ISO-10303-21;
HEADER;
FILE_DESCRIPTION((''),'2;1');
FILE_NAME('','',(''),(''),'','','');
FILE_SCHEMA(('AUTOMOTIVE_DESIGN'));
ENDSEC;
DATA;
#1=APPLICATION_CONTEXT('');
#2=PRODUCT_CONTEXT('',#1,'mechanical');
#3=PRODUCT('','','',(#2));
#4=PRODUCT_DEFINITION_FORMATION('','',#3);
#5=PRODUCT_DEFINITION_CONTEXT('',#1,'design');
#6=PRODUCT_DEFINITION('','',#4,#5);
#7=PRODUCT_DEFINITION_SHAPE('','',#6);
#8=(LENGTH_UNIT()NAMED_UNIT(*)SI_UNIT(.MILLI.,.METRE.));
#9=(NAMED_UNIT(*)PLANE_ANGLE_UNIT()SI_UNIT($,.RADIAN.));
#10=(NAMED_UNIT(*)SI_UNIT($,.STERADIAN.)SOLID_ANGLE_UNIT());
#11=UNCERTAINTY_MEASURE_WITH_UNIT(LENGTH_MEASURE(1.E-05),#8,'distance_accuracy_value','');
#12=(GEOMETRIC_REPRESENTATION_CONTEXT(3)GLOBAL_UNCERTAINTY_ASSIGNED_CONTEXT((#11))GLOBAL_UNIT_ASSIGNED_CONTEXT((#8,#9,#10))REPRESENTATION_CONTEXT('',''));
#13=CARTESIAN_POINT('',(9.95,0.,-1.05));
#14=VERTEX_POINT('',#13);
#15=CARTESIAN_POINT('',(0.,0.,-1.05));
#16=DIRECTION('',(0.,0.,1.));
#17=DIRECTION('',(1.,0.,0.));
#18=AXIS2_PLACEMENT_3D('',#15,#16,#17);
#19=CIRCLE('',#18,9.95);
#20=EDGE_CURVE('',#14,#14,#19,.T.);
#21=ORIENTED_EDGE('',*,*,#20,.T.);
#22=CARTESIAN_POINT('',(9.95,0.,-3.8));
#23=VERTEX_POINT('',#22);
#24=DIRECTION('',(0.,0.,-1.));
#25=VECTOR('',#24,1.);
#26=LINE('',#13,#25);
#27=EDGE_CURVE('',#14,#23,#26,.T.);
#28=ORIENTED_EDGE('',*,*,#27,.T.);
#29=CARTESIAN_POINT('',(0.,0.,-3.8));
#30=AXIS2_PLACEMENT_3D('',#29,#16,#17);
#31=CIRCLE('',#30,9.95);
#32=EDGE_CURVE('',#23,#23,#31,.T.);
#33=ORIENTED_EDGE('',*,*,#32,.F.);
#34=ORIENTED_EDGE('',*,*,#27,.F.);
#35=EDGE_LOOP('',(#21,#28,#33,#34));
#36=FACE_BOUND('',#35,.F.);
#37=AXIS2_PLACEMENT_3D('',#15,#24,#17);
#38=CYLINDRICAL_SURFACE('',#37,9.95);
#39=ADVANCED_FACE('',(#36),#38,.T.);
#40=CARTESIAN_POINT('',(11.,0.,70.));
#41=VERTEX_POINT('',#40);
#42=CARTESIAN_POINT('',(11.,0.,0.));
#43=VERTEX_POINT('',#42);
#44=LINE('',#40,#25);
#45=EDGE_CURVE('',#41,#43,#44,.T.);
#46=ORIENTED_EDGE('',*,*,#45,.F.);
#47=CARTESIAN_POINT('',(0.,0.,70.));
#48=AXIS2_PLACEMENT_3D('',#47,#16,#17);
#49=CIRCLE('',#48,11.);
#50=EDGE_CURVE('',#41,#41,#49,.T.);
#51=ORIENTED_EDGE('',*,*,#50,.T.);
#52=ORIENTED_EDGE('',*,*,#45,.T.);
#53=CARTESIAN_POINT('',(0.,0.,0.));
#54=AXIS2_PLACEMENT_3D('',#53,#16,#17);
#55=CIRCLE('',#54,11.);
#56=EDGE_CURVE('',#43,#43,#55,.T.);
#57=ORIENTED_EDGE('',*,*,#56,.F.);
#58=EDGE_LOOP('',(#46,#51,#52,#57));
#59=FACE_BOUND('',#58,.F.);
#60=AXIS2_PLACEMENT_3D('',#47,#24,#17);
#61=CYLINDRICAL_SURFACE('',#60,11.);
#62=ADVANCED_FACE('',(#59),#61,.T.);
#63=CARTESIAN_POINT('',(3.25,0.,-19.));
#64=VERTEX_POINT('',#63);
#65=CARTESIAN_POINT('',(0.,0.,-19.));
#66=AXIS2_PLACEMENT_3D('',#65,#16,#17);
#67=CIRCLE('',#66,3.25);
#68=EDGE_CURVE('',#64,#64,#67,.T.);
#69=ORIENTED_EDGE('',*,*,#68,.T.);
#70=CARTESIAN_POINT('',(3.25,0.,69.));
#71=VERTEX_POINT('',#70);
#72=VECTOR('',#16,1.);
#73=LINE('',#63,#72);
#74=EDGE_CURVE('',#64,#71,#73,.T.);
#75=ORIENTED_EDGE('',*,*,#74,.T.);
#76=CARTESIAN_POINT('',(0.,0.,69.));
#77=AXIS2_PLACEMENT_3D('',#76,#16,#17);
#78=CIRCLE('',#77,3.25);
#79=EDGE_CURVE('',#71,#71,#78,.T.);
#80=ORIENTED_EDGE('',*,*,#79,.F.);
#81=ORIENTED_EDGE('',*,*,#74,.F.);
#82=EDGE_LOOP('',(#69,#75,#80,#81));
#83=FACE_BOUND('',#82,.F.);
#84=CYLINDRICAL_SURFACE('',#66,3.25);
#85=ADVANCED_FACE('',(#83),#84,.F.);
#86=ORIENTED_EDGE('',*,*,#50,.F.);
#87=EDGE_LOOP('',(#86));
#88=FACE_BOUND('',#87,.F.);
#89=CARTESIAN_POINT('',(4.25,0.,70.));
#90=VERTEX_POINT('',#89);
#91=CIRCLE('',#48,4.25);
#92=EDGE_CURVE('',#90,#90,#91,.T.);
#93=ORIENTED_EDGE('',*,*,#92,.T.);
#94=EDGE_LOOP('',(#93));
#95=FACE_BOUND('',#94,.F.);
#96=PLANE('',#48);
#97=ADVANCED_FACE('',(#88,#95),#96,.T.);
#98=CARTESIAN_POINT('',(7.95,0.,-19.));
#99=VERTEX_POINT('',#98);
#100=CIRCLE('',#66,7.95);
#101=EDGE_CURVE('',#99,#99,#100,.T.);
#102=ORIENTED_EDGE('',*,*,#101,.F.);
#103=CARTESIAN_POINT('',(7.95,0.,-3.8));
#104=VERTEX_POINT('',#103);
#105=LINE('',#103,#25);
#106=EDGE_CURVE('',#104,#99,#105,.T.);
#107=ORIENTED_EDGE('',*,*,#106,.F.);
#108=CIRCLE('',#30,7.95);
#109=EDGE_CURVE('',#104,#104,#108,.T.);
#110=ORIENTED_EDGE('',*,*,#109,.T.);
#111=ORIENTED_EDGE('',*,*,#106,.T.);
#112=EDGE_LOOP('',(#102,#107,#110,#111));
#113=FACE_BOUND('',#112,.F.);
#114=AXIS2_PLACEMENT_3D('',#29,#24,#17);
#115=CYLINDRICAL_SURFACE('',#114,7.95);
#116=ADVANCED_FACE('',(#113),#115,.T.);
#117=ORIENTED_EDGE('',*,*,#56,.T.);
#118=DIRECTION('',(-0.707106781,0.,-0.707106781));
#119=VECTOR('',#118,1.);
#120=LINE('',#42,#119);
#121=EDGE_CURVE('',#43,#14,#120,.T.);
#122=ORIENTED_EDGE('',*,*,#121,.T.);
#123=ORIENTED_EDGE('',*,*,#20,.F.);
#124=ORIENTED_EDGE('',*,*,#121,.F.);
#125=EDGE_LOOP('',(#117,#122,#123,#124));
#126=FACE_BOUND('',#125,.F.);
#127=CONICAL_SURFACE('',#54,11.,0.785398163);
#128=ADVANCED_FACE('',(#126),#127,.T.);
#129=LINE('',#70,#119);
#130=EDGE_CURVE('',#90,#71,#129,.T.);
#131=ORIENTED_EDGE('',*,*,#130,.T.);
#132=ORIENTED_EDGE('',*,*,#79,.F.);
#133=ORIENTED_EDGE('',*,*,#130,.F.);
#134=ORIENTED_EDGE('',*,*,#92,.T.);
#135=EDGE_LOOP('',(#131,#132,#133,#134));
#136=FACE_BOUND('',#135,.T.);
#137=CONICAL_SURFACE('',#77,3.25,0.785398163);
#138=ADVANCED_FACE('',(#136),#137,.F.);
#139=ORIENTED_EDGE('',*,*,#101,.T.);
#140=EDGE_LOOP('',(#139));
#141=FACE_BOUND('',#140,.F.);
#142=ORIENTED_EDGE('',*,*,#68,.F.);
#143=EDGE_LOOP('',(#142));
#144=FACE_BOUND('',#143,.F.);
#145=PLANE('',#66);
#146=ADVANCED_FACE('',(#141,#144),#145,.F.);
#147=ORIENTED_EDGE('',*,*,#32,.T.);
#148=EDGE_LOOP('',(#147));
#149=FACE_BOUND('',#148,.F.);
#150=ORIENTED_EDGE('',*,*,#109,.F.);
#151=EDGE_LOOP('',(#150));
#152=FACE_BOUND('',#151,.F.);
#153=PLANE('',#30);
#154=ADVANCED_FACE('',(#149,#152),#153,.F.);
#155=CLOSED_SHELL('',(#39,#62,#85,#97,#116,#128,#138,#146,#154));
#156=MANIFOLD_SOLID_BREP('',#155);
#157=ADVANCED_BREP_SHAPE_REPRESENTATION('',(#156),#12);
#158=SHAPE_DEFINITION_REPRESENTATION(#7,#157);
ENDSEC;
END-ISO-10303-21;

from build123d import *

# Parameters (mm, degrees)
CHAMFER_SIZE = 1


with BuildPart() as part:
    # Sketch → Revolution (revolve)
    with BuildSketch(Plane.XZ):
        Polygon((3.25, 70), (11, 70), (11, 0), (9.95, -1.05), (9.95, -3.8), (7.95, -3.8), (7.95, -19), (3.25, -19), align=None)
    revolve(axis=Axis((0, 0, 0), (0, 0, 1)))

    # Chamfer
    chamfer_edges = [part.edges().sort_by_distance(p)[0] for p in [
        (-3.25, 0, 70),
    ]]
    chamfer(chamfer_edges, length=CHAMFER_SIZE)


solid = part.part
